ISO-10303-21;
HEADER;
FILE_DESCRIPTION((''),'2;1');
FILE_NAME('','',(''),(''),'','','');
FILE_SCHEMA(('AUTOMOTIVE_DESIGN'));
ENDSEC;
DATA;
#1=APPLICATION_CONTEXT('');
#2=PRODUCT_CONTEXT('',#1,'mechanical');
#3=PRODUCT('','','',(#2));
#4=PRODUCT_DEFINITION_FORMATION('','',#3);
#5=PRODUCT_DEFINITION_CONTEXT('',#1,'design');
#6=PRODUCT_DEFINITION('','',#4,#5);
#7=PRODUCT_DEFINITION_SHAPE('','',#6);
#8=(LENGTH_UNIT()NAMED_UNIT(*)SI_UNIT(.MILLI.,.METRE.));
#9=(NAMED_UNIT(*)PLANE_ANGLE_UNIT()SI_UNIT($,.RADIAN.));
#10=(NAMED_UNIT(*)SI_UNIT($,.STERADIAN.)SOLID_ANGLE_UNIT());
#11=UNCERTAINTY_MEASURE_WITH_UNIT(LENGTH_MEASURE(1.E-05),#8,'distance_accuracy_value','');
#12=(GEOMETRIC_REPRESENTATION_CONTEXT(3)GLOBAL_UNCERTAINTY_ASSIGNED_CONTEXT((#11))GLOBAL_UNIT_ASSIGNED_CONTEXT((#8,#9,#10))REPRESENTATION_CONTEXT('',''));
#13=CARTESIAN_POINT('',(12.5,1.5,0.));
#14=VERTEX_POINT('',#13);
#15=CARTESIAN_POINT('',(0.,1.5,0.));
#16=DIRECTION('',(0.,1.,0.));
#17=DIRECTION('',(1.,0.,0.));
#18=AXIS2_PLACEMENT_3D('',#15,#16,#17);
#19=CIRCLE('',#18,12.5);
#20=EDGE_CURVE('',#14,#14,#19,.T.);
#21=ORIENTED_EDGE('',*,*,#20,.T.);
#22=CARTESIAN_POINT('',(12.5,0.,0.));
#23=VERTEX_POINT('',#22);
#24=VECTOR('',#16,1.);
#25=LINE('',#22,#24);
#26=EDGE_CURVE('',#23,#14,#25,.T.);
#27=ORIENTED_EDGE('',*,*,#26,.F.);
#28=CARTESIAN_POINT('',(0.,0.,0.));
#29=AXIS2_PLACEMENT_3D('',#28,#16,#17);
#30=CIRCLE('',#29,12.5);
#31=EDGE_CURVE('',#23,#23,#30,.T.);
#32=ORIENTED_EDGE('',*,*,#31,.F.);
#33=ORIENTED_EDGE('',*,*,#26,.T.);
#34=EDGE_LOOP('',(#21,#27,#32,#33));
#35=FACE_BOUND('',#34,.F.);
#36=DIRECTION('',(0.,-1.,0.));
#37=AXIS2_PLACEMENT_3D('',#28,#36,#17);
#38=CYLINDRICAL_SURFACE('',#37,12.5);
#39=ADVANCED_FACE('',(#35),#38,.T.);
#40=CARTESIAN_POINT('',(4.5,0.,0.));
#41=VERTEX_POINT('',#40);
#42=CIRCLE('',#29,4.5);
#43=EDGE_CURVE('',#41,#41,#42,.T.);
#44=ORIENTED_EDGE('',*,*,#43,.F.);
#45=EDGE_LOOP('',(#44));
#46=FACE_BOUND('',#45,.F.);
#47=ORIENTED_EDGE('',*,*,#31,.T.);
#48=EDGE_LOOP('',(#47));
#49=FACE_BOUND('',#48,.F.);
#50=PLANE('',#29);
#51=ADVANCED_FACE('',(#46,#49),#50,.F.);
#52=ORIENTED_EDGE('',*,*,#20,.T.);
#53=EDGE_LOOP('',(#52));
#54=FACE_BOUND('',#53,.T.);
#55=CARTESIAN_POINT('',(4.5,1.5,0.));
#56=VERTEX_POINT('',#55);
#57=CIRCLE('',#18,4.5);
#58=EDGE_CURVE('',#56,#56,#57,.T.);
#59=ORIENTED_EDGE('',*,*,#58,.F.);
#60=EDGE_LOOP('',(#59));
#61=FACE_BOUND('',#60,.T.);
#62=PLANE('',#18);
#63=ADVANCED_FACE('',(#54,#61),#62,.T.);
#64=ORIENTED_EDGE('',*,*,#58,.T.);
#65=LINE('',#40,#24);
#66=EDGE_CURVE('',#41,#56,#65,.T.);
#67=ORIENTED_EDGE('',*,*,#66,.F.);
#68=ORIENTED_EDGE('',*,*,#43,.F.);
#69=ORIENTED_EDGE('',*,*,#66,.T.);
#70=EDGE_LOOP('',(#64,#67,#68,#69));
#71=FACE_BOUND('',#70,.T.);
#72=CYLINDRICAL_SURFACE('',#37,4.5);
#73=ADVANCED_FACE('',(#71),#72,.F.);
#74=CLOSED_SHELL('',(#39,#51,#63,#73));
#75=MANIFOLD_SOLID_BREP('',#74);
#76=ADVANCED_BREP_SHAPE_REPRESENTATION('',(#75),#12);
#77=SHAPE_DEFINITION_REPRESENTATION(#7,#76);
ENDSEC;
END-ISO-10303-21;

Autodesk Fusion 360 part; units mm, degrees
sketch "Sketch1" plane through (0, 0, 0) normal (0, 1, 0) x (1, 0, 0)
  circle A0 centre (0, 0) radius 4.5
  circle A1 centre (0, 0) radius 12.5
  dimension "d1" = 9
  dimension "d2" = 25
extrude "Extrude1" add sketch "Sketch1" along normal blind 1.5
